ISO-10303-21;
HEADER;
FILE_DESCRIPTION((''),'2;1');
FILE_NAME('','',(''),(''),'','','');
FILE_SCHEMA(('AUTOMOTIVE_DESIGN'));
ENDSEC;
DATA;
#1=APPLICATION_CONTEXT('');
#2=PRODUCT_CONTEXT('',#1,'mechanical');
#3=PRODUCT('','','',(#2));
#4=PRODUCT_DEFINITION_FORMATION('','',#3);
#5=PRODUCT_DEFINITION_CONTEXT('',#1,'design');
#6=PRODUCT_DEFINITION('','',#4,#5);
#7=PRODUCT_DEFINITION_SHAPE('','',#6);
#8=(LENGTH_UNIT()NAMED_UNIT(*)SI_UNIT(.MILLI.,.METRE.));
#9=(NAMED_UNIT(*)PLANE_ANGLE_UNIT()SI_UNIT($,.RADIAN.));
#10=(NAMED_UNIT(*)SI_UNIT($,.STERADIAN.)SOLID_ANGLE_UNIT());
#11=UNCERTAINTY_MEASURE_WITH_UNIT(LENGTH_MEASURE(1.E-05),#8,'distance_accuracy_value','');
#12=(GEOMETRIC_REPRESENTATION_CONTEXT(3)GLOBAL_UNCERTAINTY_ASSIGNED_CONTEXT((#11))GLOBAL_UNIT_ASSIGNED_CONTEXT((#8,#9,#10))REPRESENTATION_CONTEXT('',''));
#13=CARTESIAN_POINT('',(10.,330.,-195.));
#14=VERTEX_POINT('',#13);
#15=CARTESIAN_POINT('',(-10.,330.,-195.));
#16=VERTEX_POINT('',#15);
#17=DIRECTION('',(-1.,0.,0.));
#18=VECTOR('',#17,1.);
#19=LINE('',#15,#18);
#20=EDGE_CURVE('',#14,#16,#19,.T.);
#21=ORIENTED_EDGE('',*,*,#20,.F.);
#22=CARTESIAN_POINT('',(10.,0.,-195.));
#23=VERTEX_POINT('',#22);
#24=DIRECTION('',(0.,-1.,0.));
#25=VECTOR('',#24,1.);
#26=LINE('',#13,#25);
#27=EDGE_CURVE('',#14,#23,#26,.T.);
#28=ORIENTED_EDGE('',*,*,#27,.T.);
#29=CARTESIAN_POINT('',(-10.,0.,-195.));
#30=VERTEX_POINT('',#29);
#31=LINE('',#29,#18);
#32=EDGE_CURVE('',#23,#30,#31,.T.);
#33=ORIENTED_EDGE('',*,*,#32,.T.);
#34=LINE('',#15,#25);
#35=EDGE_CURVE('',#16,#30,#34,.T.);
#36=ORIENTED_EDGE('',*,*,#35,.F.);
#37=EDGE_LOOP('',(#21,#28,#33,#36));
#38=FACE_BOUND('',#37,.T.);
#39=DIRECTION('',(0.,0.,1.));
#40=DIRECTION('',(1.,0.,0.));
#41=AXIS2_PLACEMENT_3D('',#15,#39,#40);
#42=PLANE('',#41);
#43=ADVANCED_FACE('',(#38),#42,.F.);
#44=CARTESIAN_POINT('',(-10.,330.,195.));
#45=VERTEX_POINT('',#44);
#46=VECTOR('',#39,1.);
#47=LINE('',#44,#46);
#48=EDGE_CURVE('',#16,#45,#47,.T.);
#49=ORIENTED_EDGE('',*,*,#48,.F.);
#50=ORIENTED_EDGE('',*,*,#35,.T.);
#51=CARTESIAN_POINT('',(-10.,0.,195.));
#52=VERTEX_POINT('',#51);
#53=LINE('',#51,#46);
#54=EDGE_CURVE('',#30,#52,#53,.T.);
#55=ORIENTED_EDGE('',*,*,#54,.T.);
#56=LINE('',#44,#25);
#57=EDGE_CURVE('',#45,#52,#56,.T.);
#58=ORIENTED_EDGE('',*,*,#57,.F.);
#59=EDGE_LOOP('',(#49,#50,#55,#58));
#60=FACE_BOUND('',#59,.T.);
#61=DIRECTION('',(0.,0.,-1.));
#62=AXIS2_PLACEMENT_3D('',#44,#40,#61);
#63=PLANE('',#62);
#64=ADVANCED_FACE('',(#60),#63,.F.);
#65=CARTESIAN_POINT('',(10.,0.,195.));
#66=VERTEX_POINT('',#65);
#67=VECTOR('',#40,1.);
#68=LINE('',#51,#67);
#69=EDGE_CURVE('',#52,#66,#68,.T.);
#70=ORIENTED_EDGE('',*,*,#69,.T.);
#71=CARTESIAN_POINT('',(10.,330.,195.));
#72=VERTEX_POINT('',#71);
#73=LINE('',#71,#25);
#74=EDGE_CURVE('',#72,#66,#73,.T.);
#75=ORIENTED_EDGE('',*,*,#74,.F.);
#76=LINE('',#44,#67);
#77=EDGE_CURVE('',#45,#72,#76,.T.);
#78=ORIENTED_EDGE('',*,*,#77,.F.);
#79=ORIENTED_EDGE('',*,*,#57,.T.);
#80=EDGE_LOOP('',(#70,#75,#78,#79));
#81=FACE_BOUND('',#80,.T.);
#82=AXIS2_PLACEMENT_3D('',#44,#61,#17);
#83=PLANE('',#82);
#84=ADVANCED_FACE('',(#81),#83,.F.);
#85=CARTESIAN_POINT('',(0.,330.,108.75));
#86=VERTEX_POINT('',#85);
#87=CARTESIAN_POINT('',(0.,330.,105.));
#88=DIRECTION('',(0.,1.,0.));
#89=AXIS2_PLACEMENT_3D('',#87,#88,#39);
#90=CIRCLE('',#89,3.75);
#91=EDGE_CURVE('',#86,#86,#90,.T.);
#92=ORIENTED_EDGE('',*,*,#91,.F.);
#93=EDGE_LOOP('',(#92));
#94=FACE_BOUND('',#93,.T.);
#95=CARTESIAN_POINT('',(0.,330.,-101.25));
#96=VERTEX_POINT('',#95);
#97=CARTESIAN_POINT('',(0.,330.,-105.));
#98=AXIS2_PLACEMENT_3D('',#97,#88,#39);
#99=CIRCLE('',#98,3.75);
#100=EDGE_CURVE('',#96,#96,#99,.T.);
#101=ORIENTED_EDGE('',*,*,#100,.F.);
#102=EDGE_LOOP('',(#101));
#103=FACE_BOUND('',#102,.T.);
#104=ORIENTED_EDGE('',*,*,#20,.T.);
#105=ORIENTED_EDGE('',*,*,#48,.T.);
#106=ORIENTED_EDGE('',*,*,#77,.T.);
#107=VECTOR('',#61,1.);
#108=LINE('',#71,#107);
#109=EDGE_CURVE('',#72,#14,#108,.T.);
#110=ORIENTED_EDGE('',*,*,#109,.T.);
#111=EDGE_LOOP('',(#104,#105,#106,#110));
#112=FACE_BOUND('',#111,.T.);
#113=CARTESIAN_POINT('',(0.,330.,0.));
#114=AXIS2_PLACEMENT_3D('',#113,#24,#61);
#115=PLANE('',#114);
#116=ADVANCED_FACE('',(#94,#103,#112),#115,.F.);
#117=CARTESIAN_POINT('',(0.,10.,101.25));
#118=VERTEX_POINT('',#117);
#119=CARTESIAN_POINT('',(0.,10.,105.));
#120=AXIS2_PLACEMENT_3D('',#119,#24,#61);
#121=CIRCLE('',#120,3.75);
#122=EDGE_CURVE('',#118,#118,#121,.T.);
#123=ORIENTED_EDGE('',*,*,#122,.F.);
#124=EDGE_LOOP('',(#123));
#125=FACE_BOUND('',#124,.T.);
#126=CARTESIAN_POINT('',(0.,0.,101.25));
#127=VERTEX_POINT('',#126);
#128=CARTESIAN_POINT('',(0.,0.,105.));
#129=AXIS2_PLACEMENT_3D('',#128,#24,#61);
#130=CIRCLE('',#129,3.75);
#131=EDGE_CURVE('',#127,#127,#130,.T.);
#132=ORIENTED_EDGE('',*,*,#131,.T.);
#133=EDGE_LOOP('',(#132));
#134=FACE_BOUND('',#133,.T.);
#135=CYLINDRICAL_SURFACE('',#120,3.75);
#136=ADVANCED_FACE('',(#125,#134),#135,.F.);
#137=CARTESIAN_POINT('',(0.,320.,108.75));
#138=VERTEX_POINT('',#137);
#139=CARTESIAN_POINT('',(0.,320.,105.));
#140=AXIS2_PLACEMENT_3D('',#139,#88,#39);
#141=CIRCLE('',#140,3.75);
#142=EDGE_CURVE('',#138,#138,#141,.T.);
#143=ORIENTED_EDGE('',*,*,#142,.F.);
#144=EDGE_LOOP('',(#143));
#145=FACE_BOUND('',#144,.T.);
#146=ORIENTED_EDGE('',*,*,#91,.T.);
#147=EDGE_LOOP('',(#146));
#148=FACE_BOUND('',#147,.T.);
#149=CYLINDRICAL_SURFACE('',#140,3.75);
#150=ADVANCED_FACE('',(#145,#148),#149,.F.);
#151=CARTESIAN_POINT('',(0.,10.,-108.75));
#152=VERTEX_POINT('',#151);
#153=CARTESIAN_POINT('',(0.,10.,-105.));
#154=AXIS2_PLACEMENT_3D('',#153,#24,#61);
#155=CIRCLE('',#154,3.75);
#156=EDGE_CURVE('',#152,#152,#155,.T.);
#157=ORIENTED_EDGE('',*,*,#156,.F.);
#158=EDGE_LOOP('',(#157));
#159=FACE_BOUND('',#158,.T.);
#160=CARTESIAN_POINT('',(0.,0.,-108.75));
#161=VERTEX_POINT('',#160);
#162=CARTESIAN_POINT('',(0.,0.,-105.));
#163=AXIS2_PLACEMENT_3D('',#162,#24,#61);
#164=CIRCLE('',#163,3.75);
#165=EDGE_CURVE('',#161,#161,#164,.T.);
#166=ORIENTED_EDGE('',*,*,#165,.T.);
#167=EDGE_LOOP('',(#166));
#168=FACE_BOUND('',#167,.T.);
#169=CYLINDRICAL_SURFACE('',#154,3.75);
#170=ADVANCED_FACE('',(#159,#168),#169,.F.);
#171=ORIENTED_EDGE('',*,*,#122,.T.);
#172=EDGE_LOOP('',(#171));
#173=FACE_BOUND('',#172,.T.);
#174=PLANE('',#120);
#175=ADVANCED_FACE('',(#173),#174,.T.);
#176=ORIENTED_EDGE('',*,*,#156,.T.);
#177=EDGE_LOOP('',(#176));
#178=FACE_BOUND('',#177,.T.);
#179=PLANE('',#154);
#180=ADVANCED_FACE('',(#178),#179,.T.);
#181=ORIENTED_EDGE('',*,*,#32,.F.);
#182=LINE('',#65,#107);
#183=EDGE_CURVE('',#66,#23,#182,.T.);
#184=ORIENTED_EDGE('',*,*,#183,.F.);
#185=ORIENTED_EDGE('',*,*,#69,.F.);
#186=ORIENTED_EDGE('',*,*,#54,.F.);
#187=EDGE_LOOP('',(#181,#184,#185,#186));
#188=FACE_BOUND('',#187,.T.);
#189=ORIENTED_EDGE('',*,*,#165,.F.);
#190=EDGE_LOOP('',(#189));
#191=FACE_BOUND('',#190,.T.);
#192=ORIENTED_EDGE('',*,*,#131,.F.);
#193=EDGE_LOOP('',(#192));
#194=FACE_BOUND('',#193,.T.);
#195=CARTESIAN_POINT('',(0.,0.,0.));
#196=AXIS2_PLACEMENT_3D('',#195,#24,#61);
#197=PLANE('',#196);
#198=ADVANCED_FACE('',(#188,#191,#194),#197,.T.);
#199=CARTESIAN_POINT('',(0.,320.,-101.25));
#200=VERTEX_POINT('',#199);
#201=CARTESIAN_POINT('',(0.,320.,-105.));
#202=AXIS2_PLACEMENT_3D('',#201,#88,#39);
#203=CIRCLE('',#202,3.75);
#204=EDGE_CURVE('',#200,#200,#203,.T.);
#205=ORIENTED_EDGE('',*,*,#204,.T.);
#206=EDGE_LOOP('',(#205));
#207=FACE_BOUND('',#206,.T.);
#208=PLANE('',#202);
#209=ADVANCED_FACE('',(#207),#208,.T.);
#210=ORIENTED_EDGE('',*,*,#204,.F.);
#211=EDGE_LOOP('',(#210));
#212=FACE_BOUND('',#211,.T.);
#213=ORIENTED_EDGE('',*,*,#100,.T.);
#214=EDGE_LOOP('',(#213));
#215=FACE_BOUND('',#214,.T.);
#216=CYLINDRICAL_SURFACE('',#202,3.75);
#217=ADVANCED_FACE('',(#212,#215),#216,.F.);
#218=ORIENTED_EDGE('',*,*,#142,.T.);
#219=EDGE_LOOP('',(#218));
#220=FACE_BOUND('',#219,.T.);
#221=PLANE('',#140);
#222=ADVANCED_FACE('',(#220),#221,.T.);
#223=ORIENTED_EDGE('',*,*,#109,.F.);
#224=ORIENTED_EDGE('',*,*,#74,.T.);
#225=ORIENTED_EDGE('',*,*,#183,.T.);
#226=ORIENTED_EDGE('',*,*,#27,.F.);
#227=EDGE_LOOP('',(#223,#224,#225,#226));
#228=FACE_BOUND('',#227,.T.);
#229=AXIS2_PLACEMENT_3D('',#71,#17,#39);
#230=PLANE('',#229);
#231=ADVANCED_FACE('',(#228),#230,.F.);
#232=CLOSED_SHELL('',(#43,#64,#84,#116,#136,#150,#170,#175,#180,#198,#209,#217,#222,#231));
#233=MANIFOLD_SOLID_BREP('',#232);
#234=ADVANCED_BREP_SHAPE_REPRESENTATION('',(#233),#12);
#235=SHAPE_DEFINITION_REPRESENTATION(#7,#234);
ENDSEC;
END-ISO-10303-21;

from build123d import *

# Parameters (mm, degrees)
ESQUISSE1_W             = 20
ESQUISSE1_H             = 390
BOSS_EXTRU_1_DEPTH      = 330
ESQUISSE2_R             = 3.75
ENL_V_MAT_EXTRU_1_DEPTH = 10
ENL_V_START             = -10
ESQUISSE3_R             = 3.75
ENL_V_MAT_EXTRU_2_DEPTH = 10


with BuildPart() as part:
    # Esquisse1 → Boss.-Extru.1 (new body)
    with BuildSketch(Plane(origin=(0, 0, 0), x_dir=(1, 0, 0), z_dir=(0, 1, 0))):
        Rectangle(ESQUISSE1_W, ESQUISSE1_H)
    extrude(amount=BOSS_EXTRU_1_DEPTH)

    # Esquisse2 → Enlèv. mat.-Extru.1 (cut)
    with BuildSketch(Plane(origin=(0, 330, 0), x_dir=(1, 0, 0), z_dir=(0, 1, 0))):
        with Locations(Location((0, 105, 0), (0, 0, 270))):
            Circle(ESQUISSE2_R)
        with Locations(Location((0, -105, 0), (0, 0, 270))):
            Circle(ESQUISSE2_R)
    extrude(amount=-ENL_V_MAT_EXTRU_1_DEPTH, mode=Mode.SUBTRACT)

    # Esquisse3 → Enlèv. mat.-Extru.2 (cut)
    with BuildSketch(Plane.XZ.offset(ENL_V_START)):
        with Locations(Location((0, -105, 0), (0, 0, 90))):
            Circle(ESQUISSE3_R)
        with Locations(Location((0, 105, 0), (0, 0, 90))):
            Circle(ESQUISSE3_R)
    extrude(amount=ENL_V_MAT_EXTRU_2_DEPTH, mode=Mode.SUBTRACT)


solid = part.part
